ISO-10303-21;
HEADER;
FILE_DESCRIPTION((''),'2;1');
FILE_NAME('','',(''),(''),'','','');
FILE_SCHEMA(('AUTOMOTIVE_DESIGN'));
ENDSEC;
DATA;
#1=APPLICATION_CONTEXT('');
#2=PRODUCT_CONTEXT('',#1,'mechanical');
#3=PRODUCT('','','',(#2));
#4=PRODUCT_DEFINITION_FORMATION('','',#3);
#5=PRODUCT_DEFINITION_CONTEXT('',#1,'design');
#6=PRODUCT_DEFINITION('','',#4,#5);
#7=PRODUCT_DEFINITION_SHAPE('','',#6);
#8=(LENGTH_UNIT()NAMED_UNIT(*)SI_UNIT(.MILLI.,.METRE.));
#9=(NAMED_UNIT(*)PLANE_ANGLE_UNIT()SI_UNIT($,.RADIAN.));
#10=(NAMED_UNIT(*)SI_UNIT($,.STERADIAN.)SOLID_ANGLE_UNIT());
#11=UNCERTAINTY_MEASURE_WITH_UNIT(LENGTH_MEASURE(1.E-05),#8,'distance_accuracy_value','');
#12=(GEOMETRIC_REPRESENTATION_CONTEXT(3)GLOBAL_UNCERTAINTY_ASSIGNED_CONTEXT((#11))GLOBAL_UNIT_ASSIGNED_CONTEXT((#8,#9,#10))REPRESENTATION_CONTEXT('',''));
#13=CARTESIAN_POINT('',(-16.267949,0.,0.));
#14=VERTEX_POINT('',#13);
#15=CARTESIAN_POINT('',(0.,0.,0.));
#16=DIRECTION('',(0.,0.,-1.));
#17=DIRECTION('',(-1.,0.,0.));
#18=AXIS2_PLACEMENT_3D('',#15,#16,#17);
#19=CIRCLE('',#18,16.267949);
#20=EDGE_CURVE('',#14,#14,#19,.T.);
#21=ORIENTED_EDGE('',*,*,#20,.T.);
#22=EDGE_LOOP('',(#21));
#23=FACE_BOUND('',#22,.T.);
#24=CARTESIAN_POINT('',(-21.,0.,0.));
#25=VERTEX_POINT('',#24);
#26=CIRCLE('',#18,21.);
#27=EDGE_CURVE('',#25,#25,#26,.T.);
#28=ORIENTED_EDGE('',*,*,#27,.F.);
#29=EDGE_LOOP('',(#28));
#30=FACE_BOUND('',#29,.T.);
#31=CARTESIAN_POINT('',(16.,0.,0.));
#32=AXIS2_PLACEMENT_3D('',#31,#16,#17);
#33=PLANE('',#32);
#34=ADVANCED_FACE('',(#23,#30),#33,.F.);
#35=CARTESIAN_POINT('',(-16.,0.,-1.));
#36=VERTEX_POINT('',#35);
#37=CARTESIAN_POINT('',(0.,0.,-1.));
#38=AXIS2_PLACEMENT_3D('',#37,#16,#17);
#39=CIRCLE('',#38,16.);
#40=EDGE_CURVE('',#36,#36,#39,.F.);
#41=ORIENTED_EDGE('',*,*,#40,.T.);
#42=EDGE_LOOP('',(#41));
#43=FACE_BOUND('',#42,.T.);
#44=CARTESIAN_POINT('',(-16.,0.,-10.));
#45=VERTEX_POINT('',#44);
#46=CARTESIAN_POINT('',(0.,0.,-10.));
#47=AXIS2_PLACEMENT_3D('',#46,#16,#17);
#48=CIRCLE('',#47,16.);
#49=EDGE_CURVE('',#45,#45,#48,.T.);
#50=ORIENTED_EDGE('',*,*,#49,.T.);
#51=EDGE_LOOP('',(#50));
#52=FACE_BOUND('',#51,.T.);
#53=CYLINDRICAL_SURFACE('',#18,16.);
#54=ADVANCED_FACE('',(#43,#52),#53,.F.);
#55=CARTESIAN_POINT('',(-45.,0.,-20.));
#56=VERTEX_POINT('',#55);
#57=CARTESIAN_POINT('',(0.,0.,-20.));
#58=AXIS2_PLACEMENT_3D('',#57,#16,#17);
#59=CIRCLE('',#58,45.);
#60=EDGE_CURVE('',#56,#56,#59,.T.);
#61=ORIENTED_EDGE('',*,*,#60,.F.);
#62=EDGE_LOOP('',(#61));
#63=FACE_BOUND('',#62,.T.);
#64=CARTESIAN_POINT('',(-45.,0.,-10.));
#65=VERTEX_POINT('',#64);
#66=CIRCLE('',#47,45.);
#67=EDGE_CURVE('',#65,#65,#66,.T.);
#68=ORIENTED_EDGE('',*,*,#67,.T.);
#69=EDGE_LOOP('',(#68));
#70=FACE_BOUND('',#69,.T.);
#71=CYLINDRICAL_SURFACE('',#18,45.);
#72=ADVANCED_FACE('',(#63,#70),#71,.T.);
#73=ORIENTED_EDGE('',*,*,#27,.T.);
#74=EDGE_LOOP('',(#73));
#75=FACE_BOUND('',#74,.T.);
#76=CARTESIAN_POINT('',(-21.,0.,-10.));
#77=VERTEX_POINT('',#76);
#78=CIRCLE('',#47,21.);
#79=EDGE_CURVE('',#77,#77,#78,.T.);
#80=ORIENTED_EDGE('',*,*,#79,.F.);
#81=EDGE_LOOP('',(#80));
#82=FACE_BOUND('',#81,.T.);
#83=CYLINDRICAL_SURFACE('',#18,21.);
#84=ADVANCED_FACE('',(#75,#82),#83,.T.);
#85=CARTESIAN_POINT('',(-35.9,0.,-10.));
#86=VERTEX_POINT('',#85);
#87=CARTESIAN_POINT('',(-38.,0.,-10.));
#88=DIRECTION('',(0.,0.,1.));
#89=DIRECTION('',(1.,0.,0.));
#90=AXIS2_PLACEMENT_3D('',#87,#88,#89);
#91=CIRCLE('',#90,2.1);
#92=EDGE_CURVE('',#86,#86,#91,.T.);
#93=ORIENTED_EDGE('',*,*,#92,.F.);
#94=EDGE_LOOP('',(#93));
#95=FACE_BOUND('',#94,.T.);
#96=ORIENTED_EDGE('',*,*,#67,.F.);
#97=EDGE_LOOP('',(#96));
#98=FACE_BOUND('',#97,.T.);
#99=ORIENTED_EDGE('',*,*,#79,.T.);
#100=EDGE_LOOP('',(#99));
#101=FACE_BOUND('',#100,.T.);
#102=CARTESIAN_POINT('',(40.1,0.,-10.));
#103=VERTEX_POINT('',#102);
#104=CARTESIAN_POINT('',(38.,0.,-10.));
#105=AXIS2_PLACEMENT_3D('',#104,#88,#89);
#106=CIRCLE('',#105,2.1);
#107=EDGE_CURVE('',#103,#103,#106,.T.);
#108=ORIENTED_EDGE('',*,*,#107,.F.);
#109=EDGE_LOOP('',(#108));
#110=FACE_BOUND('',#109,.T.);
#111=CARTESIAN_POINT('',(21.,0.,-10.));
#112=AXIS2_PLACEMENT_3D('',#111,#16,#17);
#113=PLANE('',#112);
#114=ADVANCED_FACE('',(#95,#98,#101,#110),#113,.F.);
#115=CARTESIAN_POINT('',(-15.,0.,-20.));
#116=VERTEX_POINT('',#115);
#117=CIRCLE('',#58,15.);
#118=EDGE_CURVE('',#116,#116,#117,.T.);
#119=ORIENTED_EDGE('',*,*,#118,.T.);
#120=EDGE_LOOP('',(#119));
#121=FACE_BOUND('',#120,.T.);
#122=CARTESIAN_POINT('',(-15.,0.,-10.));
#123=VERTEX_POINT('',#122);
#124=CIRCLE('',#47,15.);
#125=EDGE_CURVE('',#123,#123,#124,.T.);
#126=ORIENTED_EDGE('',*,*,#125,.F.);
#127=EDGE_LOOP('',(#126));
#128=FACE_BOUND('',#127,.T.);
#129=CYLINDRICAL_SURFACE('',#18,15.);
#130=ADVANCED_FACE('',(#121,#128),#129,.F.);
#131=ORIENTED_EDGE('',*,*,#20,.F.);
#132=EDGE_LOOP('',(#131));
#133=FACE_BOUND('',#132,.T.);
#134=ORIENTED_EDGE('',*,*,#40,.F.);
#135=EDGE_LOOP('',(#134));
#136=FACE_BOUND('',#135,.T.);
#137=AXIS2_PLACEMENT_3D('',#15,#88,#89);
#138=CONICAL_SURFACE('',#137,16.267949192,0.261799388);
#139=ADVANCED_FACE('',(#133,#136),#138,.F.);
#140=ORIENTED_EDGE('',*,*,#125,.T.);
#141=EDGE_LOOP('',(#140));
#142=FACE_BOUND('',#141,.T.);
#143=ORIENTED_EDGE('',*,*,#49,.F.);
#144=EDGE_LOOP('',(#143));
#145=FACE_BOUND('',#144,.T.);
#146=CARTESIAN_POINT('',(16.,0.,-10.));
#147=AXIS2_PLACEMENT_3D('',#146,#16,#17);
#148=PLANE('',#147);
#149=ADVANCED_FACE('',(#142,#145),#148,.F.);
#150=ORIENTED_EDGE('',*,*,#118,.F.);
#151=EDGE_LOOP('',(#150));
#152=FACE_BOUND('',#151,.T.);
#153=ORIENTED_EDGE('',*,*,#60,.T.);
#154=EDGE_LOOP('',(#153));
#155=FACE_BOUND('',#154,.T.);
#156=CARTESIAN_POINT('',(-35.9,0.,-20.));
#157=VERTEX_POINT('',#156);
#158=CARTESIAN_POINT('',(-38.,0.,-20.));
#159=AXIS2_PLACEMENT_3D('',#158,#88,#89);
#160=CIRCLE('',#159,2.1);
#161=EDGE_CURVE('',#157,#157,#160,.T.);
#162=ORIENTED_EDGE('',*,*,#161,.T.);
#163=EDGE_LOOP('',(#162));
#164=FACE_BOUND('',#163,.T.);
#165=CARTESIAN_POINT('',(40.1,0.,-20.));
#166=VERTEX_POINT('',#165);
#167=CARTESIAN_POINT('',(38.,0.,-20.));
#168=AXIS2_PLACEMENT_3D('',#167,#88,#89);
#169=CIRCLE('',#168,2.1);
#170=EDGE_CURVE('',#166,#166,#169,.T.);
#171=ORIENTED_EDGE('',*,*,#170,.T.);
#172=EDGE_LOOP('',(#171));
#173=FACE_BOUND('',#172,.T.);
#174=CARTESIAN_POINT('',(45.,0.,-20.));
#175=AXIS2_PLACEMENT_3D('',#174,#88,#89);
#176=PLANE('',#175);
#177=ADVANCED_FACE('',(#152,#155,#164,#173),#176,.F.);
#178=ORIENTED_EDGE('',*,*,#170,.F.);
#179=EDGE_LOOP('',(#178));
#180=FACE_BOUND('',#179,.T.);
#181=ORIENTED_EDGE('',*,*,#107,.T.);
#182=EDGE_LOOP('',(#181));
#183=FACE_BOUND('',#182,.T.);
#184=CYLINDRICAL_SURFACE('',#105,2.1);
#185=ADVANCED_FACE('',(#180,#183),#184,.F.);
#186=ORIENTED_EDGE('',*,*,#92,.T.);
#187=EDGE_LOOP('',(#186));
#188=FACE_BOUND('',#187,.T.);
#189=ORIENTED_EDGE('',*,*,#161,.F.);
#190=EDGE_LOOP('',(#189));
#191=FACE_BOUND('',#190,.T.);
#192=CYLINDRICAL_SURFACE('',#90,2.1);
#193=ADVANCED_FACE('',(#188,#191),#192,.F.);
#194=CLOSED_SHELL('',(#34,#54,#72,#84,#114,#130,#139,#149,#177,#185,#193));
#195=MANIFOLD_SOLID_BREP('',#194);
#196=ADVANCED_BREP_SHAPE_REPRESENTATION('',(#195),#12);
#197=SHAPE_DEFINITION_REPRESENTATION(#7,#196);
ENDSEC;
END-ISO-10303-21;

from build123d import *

# Parameters (mm, degrees)
CHAMFER1_SIZE     = 1
CHAMFER1_SIZE2    = 0.267949192
M5_TAPPED_HOLE1_D = 4.2


with BuildPart() as part:
    # Sketch1 → Revolve1 (revolve)
    with BuildSketch(Plane(origin=(0, 0, 0), x_dir=(1, 0, 0), z_dir=(0, 1, 0))):
        Polygon((16, 0), (16, 10), (15, 10), (15, 20), (45, 20), (45, 10), (21, 10), (21, 0), align=None)
    revolve(axis=Axis((0, 0, 0), (0, 0, 1)))

    # Chamfer1
    chamfer1_edges = [part.edges().sort_by_distance(p)[0] for p in [
        (-16, 0, 0),
    ]]
    chamfer1_side = [part.faces().sort_by_distance(p)[0] for p in [
        (-16, 0, -5),
    ]]
    chamfer(chamfer1_edges, length=CHAMFER1_SIZE, length2=CHAMFER1_SIZE2, reference=chamfer1_side[0])

    # M5 Tapped Hole1 (through all)
    with Locations(Plane.XY.offset(-10)):
        with Locations((-38, 0), (38, 0)):
            Hole(M5_TAPPED_HOLE1_D / 2)


solid = part.part
